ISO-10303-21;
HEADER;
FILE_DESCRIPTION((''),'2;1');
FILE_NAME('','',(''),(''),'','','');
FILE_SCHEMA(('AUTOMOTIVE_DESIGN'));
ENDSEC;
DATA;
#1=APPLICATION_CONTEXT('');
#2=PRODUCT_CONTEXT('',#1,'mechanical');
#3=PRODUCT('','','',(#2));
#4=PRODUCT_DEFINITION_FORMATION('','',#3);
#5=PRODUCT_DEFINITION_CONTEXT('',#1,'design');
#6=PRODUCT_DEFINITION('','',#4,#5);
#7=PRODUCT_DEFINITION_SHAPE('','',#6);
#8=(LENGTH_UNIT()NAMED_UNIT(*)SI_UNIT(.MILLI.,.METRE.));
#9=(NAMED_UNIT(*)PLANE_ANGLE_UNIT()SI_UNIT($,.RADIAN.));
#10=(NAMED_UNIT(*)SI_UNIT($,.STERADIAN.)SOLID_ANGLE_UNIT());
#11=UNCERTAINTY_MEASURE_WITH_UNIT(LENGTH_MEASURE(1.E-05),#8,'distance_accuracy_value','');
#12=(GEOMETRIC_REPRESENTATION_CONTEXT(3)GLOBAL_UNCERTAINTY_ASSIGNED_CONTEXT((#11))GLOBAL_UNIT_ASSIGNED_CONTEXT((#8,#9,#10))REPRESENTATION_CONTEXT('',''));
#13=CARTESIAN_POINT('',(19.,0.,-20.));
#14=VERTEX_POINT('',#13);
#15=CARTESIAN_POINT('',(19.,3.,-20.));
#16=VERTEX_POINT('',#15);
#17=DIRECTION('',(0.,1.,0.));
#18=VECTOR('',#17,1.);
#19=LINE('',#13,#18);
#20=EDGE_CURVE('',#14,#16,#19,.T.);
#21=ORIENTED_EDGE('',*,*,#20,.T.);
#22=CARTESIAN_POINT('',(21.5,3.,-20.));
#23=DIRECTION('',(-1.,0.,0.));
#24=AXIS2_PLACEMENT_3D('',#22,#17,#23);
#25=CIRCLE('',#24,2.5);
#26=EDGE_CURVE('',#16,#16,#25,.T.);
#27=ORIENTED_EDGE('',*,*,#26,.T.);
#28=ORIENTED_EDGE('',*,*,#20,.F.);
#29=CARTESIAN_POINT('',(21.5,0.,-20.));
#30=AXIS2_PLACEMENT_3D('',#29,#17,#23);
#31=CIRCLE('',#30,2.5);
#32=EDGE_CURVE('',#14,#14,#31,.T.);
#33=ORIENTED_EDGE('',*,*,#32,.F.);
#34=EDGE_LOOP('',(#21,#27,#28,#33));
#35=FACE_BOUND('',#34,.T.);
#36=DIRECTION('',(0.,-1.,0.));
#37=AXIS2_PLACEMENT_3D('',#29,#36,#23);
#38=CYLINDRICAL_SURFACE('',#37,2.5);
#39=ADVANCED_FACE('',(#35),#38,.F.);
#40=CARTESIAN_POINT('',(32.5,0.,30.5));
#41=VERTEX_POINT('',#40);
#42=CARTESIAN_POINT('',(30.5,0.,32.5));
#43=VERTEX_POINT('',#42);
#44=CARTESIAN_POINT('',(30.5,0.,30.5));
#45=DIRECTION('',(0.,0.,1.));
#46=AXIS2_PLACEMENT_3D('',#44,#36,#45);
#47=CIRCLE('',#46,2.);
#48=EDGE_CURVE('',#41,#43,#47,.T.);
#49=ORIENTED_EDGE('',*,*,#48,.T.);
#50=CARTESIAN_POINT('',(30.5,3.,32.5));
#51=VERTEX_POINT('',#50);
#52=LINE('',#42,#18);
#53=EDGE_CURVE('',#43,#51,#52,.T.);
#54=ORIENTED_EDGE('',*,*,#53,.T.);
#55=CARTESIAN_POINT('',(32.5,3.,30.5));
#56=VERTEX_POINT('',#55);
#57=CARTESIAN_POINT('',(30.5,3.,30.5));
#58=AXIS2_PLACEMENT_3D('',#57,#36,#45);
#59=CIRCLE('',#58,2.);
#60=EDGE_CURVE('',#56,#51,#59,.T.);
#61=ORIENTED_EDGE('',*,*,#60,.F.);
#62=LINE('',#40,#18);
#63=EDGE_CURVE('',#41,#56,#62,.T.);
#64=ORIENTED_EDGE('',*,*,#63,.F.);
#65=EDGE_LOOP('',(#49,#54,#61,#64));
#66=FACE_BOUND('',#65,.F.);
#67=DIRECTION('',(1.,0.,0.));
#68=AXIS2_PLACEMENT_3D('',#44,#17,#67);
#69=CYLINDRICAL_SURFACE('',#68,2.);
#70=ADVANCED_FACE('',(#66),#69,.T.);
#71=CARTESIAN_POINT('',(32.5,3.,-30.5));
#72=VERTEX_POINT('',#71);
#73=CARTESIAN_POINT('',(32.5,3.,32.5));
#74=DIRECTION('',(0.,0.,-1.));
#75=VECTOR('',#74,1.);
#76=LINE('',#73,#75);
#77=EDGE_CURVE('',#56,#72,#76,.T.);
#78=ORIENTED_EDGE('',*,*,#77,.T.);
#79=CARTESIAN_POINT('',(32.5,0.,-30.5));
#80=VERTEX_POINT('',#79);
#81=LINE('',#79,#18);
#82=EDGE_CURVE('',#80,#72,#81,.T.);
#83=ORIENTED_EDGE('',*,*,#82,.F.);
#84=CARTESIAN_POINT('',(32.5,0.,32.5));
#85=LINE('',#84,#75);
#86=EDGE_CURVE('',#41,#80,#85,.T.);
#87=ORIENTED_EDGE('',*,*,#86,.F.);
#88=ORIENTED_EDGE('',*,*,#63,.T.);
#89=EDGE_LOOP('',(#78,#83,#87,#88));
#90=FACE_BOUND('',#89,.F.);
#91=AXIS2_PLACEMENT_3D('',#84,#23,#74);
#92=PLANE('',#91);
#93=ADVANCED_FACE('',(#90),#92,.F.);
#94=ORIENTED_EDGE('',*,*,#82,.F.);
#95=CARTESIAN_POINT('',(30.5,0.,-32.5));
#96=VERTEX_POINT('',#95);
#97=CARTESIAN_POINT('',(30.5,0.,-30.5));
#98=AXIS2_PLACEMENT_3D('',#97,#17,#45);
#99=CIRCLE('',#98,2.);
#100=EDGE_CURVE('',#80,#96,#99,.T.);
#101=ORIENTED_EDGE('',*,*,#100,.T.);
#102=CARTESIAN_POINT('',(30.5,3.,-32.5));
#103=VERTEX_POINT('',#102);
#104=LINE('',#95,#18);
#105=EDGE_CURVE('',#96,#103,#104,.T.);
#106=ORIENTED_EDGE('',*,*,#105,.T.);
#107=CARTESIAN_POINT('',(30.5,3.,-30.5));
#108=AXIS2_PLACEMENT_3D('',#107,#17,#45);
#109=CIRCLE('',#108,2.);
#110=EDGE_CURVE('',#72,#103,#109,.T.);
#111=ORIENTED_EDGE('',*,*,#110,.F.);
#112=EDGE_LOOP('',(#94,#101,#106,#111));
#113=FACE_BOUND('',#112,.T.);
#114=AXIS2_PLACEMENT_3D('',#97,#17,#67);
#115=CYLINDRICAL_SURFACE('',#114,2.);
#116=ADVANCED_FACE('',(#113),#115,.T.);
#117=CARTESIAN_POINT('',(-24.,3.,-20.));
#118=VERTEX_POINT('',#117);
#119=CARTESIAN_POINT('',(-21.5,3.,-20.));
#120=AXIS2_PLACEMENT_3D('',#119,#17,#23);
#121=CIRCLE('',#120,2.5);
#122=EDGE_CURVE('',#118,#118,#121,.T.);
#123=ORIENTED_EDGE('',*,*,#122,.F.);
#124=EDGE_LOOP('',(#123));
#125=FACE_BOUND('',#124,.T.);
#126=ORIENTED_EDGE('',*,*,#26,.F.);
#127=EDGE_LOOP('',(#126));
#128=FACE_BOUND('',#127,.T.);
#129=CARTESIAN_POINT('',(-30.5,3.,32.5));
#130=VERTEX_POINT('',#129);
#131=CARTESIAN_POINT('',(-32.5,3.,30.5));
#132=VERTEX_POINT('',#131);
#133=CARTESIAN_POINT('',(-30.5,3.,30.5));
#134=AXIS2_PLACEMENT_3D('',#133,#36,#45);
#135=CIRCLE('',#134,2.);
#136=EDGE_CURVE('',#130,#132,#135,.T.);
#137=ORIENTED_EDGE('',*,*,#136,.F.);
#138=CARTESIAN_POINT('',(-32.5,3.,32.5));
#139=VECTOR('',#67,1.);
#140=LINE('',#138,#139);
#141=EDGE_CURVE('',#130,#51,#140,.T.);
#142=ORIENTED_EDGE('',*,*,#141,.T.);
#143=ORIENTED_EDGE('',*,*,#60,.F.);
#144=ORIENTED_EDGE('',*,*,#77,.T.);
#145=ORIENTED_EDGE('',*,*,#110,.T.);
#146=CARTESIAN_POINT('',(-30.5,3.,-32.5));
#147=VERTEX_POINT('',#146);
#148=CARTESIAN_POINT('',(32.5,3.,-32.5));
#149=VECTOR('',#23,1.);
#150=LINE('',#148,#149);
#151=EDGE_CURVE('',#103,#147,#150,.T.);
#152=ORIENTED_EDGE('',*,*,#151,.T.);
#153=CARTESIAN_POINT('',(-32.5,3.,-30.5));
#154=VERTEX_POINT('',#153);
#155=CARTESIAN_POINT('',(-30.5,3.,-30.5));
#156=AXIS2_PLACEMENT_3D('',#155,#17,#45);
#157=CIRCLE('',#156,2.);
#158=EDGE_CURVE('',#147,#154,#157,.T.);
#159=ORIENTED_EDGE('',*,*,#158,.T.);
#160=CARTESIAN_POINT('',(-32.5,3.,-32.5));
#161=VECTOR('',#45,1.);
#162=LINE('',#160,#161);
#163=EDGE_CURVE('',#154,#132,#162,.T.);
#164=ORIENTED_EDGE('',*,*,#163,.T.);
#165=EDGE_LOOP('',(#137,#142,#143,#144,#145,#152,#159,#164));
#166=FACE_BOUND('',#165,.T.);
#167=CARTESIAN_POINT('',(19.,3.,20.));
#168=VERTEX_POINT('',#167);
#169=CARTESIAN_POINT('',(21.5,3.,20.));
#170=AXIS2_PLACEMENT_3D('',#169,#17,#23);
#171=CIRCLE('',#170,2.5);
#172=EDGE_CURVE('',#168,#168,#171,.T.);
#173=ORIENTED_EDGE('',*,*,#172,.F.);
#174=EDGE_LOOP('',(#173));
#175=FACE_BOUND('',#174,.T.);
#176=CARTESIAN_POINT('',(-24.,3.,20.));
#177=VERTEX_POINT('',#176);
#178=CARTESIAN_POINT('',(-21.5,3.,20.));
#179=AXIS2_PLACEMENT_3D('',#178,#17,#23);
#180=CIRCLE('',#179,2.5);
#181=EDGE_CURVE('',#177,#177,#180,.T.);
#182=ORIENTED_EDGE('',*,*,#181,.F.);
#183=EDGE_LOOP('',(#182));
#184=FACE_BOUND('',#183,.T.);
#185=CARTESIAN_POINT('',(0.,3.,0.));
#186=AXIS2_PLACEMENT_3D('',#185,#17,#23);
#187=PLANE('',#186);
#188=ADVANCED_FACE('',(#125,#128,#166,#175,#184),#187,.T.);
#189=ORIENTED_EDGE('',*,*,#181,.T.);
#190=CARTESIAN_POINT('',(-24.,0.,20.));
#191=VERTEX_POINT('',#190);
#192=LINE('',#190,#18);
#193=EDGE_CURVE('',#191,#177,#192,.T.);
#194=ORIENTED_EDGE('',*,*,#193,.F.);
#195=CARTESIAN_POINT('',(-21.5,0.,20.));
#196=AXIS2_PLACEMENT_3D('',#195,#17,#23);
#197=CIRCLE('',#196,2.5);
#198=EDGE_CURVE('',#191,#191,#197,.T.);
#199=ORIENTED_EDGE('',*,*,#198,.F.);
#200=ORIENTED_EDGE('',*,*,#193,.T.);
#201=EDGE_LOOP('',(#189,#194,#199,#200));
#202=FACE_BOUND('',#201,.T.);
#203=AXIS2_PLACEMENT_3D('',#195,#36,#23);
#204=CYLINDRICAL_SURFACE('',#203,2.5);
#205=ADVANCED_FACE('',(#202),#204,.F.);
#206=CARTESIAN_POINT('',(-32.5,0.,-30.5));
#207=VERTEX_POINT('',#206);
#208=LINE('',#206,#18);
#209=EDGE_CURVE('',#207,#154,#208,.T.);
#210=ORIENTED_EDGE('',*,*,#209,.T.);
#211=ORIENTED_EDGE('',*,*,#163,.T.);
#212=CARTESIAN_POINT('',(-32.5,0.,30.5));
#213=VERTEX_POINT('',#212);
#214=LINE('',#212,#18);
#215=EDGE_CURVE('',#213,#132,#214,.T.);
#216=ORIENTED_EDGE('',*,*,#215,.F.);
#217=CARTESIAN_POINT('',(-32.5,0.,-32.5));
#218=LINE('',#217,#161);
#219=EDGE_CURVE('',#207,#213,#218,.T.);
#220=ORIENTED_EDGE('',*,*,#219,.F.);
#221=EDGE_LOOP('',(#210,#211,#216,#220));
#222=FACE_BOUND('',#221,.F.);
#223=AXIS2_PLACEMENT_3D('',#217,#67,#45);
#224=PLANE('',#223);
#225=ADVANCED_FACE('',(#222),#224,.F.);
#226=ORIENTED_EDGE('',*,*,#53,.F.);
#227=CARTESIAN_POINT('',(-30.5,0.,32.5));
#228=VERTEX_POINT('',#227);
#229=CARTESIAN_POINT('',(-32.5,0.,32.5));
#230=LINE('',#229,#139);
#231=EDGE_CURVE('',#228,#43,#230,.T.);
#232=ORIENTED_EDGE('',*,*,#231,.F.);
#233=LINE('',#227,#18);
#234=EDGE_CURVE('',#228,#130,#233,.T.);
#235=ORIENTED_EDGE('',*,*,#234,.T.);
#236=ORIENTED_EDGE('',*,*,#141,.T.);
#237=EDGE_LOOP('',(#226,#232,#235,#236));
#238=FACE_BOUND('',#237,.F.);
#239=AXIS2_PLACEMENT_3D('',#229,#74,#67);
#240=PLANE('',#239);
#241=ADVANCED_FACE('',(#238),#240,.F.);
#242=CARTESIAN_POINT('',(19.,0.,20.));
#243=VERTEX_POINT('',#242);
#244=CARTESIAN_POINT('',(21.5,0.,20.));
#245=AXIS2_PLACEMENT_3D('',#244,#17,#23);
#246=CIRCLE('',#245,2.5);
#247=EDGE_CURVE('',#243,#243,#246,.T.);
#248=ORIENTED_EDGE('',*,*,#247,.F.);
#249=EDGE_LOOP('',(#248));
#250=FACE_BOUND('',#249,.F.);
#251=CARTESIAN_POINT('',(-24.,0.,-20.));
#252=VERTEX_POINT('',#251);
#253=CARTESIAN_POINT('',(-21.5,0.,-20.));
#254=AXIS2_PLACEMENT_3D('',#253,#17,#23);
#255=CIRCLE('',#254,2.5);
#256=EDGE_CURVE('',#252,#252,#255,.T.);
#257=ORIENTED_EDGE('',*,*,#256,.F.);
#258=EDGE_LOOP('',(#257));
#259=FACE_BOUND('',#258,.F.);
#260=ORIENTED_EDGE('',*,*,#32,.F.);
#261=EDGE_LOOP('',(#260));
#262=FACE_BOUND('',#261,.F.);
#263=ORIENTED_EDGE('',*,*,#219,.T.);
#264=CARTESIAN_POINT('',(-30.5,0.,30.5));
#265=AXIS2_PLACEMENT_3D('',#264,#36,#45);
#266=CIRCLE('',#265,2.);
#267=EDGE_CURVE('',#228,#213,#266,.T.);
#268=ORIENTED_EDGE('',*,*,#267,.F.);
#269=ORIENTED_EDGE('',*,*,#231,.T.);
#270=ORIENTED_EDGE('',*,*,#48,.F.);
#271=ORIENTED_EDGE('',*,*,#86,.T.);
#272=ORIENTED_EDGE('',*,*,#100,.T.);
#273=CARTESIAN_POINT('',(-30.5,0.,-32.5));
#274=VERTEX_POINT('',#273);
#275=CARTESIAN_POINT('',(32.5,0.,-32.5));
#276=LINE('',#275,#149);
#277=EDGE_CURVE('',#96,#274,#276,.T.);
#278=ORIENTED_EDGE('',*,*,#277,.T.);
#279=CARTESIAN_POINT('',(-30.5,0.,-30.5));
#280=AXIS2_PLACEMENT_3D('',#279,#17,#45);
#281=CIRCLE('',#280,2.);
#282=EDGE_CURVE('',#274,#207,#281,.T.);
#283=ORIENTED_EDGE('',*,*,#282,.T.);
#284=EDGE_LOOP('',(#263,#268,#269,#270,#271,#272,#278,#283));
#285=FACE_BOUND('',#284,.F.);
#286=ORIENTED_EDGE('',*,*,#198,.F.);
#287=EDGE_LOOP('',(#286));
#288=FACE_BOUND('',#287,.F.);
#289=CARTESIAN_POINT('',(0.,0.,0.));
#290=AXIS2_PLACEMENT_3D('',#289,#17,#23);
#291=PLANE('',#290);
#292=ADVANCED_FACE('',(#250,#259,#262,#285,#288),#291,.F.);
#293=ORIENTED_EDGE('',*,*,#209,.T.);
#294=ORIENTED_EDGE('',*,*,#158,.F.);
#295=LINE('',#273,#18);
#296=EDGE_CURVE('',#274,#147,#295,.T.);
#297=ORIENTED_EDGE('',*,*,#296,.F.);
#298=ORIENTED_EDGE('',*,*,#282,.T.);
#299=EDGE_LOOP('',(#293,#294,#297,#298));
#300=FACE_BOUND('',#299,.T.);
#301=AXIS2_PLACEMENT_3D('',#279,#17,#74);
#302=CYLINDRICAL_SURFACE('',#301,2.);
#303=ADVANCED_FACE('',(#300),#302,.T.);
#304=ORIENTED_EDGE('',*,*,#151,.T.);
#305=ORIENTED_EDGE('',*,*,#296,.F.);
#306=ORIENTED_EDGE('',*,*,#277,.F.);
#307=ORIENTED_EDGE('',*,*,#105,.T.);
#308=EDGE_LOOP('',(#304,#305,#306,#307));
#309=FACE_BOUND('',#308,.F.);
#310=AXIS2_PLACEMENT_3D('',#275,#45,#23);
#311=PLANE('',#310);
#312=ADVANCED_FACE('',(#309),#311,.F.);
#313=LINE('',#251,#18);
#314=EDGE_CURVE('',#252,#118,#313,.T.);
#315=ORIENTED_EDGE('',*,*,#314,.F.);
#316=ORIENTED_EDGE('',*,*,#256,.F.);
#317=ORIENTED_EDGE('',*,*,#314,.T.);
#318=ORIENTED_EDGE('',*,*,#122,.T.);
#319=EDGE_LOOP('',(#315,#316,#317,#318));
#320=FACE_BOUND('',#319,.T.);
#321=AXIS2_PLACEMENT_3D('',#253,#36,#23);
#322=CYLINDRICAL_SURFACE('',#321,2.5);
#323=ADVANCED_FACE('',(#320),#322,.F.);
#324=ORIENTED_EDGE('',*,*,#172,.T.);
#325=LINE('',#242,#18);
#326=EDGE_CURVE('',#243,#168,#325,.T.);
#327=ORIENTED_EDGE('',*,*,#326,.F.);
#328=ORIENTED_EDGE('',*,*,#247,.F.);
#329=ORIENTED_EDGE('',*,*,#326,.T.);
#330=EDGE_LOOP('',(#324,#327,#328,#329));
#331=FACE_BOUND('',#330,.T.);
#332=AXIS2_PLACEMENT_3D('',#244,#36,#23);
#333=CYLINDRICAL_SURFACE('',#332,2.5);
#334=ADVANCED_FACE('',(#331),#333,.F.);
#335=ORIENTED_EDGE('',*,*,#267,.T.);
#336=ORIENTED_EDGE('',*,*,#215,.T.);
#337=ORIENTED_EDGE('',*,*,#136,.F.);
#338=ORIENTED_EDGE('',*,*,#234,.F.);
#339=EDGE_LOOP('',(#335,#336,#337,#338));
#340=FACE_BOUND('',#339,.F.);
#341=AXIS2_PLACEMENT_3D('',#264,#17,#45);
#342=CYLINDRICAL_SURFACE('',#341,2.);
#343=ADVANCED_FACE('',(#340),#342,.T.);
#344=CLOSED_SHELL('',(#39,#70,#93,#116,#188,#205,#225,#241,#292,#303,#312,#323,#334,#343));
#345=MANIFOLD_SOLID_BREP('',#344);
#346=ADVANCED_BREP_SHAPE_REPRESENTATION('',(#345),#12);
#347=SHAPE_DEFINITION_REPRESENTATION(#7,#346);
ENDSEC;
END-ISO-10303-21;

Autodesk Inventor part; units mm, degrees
ref_plane "YZ Plane" through (0, 0, 0) normal (1, 0, 0) x (0, 1, 0)
ref_plane "XZ Plane" through (0, 0, 0) normal (0, 1, 0) x (-1, 0, 0)
ref_plane "XY Plane" through (0, 0, 0) normal (0, 0, 1) x (1, 0, 0)
sketch "Sketch1" plane through (0, 0, 0) normal (0, 1, 0) x (-1, 0, 0)
  line L0 (-32.5, -32.5) -> (32.5, -32.5)
  line L1 (32.5, -32.5) -> (32.5, 32.5)
  line L2 (32.5, 32.5) -> (-32.5, 32.5)
  line L3 (-32.5, 32.5) -> (-32.5, -32.5)
  line L4 (-32.5, -32.5) -> (32.5, 32.5) construction
  line L5 (32.5, -32.5) -> (-32.5, 32.5) construction
  line L6 (-21.5, -20) -> (21.5, -20) construction
  line L7 (21.5, -20) -> (21.5, 20) construction
  line L8 (21.5, 20) -> (-21.5, 20) construction
  line L9 (-21.5, 20) -> (-21.5, -20) construction
  line L10 (-21.5, -20) -> (21.5, 20) construction
  line L11 (21.5, -20) -> (-21.5, 20) construction
  circle A0 centre (21.5, 20) radius 2.5
  point P0 (0, 0)
  dimension "d0" = 65
  dimension "d1" = 65
  dimension "d5" = 43
  dimension "d6" = 40
  dimension "d7" = 5
extrude "Extrusion1" add sketch "Sketch1" along normal blind 3 contours L3 L2 L1 L0 | A0
fillet "Fillet1" radius 2 4 edges at (32.5, 1.5, 32.5) (32.5, 1.5, -32.5) (-32.5, 1.5, 32.5) (-32.5, 1.5, -32.5)
extrude "Extrusion2" cut sketch "Sketch1" along normal blind 3 contours A0
pattern_linear "Rectangular Pattern1" count 2 spacing 40 along (0, 0, -1) count 2 spacing 43 along (1, 0, 0) of "Extrusion2"
properties part number "wheel_plate"
